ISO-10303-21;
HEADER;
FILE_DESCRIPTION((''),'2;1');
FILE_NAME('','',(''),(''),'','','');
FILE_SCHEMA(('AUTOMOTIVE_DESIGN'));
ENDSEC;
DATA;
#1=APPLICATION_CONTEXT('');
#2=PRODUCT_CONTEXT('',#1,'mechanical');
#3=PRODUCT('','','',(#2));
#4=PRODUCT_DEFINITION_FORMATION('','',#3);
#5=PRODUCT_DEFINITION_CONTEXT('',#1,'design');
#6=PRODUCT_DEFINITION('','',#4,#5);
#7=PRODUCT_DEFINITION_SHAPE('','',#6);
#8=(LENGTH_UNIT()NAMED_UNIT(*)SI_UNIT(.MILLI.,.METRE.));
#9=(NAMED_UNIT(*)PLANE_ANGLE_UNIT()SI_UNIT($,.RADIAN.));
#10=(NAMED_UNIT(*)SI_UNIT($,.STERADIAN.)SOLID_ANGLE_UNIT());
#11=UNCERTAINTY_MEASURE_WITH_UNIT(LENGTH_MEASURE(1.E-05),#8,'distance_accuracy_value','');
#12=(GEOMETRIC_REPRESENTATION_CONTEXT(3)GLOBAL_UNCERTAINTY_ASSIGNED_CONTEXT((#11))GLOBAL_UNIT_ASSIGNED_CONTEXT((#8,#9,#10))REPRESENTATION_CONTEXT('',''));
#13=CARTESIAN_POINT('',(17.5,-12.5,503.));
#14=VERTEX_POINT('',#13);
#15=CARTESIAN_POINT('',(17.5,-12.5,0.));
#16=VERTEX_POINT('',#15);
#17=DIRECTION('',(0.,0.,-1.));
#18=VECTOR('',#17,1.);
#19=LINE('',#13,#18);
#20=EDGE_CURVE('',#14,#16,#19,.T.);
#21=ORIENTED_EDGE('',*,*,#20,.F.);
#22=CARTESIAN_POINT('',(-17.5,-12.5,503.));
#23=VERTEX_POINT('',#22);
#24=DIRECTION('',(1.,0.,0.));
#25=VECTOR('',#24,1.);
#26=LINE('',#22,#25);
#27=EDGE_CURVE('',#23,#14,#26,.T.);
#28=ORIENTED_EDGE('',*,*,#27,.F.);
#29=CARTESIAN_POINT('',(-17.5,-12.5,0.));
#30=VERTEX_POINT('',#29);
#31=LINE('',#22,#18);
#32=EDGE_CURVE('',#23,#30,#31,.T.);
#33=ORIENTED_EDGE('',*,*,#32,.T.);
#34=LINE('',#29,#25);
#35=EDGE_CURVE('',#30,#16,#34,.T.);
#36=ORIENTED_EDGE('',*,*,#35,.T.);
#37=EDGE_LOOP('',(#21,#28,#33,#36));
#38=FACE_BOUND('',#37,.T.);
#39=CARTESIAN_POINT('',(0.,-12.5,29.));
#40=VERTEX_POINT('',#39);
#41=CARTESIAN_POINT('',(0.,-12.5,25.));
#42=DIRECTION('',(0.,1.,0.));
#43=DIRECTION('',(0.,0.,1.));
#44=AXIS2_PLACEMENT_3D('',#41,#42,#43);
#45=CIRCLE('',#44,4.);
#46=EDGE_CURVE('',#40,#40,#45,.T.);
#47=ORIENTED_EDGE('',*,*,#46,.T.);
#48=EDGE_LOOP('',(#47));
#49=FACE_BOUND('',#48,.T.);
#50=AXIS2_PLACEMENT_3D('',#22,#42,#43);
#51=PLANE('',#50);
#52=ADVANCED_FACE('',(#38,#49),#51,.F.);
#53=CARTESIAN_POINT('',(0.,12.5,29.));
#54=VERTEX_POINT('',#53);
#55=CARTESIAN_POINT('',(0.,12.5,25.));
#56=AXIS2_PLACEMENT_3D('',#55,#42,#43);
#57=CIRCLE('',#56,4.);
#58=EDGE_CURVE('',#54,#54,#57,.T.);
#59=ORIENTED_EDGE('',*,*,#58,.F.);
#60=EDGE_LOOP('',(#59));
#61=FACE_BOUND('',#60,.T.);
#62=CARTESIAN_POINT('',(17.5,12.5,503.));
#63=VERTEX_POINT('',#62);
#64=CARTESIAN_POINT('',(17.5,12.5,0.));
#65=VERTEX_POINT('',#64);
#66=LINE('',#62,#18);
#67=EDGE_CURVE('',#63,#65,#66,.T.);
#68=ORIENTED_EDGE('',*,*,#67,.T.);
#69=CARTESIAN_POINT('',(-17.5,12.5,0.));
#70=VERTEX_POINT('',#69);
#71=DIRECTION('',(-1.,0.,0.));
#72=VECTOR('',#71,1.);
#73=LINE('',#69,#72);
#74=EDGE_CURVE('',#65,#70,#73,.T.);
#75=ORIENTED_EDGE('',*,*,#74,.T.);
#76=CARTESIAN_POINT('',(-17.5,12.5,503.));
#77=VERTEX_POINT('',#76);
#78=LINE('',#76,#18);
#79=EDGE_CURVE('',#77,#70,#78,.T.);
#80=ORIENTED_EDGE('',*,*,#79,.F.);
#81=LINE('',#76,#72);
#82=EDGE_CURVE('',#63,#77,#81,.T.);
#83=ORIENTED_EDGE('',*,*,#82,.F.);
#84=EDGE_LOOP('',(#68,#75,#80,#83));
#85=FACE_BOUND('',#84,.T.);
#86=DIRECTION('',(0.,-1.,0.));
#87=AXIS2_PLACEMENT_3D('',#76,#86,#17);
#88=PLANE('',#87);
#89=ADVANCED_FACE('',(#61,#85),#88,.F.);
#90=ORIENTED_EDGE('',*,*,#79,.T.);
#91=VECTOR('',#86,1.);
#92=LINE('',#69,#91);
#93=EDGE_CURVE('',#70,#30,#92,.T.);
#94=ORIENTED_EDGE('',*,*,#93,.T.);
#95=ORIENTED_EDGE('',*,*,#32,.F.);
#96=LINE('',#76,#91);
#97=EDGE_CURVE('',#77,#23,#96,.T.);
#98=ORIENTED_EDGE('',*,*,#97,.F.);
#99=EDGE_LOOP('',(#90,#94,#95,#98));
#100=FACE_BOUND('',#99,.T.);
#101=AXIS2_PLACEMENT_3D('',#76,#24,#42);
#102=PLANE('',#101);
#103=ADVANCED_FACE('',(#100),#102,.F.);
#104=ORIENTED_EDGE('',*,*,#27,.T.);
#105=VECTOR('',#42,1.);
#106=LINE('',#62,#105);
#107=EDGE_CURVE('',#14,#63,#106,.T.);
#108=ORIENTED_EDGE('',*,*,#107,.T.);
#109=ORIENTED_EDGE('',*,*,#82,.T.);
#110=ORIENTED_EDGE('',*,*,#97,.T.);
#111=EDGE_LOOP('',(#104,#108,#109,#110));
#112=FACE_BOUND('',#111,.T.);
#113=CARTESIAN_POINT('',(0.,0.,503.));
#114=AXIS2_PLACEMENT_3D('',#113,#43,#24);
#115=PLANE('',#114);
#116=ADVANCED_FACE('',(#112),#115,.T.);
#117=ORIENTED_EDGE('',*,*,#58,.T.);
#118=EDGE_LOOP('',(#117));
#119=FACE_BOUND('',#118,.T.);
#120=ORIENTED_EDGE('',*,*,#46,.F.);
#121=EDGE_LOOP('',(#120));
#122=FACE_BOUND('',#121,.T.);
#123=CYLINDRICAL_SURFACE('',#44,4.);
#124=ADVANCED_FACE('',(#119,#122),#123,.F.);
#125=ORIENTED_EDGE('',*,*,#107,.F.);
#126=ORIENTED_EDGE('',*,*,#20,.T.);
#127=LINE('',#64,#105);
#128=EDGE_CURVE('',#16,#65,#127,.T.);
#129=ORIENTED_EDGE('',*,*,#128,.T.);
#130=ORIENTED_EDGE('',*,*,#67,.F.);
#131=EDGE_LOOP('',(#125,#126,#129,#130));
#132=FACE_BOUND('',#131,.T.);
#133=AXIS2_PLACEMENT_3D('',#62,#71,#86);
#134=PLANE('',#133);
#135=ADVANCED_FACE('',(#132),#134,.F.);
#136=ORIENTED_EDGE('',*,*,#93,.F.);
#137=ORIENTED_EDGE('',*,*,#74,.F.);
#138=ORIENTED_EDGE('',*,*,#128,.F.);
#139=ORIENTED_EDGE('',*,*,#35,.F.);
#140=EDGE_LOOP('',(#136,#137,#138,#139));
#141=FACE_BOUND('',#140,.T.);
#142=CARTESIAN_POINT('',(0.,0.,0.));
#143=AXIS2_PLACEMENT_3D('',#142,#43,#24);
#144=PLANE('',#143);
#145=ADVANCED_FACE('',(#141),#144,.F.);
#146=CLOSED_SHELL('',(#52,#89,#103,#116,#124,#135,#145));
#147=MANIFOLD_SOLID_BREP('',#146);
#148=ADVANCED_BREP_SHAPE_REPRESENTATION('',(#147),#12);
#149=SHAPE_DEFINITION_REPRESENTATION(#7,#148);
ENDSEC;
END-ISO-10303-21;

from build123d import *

# Parameters (mm, degrees)
SKETCH2_W           = 35
SKETCH2_H           = 25
BOSS_EXTRUDE1_DEPTH = 503
SKETCH3_R           = 4
CUT_EXTRUDE2_DEPTH  = 504.924845587


with BuildPart() as part:
    # Sketch2 → Boss-Extrude1 (new body)
    with BuildSketch(Plane.XY):
        Rectangle(SKETCH2_W, SKETCH2_H)
    extrude(amount=BOSS_EXTRUDE1_DEPTH)

    # Sketch3 → Cut-Extrude2 (cut, through all)
    with BuildSketch(Plane(origin=(0, 12.5, 0), x_dir=(1, 0, 0), z_dir=(0, 1, 0))):
        with Locations(Location((0, -25, 0), (0, 0, 270))):
            Circle(SKETCH3_R)
    extrude(amount=-CUT_EXTRUDE2_DEPTH, mode=Mode.SUBTRACT)


solid = part.part
